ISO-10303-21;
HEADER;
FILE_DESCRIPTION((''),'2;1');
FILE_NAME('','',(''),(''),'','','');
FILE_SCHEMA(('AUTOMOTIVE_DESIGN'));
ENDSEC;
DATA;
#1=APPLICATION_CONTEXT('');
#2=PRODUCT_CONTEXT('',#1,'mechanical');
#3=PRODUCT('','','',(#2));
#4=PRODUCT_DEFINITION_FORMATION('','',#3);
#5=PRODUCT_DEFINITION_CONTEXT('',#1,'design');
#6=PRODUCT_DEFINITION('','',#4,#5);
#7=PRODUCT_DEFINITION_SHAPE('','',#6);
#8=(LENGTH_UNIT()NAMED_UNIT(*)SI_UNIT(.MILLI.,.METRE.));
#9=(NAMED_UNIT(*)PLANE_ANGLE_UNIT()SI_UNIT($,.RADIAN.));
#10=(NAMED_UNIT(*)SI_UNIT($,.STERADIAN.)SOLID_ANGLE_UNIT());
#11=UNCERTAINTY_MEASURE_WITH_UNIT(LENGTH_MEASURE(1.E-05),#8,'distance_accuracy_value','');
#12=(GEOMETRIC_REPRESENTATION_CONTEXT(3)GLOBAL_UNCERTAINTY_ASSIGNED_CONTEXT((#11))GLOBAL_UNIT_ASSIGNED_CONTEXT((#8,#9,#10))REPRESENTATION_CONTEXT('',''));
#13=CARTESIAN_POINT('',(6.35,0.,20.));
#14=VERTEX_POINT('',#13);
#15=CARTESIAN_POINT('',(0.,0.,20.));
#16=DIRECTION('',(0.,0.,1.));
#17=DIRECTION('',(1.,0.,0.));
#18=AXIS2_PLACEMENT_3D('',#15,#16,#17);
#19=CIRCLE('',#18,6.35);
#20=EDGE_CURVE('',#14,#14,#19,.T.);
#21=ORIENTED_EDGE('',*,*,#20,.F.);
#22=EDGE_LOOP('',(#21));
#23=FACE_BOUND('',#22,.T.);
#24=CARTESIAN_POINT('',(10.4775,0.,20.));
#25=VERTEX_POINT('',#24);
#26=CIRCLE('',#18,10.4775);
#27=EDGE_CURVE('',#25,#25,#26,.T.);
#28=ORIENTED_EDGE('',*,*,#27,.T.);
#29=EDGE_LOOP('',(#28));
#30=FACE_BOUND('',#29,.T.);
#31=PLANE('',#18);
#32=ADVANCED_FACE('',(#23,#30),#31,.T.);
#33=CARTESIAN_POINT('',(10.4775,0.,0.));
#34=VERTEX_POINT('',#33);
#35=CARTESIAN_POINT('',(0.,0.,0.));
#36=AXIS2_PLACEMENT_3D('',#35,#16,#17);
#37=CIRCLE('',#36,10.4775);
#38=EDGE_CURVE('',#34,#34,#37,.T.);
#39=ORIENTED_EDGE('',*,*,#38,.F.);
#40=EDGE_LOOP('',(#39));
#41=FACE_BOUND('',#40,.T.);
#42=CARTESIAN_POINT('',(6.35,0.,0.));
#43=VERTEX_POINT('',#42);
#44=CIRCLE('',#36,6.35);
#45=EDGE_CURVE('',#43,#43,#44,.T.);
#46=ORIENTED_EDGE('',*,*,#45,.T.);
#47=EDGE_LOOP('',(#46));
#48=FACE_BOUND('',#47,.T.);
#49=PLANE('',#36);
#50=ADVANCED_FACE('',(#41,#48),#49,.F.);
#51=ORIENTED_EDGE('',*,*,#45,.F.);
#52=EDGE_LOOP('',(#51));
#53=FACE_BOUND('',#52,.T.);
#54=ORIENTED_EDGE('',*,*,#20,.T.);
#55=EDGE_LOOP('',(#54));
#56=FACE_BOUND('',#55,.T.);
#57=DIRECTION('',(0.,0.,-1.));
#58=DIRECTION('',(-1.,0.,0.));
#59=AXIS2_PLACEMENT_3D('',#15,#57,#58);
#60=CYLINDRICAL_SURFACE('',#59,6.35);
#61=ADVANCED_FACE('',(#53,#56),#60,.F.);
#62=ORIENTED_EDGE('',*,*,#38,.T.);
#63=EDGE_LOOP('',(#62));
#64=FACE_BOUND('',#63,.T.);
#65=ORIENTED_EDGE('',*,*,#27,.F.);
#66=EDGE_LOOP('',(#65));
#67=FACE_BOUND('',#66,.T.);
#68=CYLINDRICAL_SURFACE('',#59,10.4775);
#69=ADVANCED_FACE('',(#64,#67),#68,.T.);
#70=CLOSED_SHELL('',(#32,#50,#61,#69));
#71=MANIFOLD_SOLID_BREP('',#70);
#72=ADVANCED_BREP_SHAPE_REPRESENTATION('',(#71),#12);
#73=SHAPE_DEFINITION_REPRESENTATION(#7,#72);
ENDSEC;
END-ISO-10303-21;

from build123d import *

# Parameters (mm, degrees)
SCHIZZO1_R                   = 10.4775
SCHIZZO1_R_2                 = 6.35
ESTRUSIONE_ESTRUSIONE1_DEPTH = 20


with BuildPart() as part:
    # Schizzo1 → Estrusione-Estrusione1 (new body)
    with BuildSketch(Plane.XY):
        Circle(SCHIZZO1_R)
        Circle(SCHIZZO1_R_2, mode=Mode.SUBTRACT)
    extrude(amount=ESTRUSIONE_ESTRUSIONE1_DEPTH)


solid = part.part
